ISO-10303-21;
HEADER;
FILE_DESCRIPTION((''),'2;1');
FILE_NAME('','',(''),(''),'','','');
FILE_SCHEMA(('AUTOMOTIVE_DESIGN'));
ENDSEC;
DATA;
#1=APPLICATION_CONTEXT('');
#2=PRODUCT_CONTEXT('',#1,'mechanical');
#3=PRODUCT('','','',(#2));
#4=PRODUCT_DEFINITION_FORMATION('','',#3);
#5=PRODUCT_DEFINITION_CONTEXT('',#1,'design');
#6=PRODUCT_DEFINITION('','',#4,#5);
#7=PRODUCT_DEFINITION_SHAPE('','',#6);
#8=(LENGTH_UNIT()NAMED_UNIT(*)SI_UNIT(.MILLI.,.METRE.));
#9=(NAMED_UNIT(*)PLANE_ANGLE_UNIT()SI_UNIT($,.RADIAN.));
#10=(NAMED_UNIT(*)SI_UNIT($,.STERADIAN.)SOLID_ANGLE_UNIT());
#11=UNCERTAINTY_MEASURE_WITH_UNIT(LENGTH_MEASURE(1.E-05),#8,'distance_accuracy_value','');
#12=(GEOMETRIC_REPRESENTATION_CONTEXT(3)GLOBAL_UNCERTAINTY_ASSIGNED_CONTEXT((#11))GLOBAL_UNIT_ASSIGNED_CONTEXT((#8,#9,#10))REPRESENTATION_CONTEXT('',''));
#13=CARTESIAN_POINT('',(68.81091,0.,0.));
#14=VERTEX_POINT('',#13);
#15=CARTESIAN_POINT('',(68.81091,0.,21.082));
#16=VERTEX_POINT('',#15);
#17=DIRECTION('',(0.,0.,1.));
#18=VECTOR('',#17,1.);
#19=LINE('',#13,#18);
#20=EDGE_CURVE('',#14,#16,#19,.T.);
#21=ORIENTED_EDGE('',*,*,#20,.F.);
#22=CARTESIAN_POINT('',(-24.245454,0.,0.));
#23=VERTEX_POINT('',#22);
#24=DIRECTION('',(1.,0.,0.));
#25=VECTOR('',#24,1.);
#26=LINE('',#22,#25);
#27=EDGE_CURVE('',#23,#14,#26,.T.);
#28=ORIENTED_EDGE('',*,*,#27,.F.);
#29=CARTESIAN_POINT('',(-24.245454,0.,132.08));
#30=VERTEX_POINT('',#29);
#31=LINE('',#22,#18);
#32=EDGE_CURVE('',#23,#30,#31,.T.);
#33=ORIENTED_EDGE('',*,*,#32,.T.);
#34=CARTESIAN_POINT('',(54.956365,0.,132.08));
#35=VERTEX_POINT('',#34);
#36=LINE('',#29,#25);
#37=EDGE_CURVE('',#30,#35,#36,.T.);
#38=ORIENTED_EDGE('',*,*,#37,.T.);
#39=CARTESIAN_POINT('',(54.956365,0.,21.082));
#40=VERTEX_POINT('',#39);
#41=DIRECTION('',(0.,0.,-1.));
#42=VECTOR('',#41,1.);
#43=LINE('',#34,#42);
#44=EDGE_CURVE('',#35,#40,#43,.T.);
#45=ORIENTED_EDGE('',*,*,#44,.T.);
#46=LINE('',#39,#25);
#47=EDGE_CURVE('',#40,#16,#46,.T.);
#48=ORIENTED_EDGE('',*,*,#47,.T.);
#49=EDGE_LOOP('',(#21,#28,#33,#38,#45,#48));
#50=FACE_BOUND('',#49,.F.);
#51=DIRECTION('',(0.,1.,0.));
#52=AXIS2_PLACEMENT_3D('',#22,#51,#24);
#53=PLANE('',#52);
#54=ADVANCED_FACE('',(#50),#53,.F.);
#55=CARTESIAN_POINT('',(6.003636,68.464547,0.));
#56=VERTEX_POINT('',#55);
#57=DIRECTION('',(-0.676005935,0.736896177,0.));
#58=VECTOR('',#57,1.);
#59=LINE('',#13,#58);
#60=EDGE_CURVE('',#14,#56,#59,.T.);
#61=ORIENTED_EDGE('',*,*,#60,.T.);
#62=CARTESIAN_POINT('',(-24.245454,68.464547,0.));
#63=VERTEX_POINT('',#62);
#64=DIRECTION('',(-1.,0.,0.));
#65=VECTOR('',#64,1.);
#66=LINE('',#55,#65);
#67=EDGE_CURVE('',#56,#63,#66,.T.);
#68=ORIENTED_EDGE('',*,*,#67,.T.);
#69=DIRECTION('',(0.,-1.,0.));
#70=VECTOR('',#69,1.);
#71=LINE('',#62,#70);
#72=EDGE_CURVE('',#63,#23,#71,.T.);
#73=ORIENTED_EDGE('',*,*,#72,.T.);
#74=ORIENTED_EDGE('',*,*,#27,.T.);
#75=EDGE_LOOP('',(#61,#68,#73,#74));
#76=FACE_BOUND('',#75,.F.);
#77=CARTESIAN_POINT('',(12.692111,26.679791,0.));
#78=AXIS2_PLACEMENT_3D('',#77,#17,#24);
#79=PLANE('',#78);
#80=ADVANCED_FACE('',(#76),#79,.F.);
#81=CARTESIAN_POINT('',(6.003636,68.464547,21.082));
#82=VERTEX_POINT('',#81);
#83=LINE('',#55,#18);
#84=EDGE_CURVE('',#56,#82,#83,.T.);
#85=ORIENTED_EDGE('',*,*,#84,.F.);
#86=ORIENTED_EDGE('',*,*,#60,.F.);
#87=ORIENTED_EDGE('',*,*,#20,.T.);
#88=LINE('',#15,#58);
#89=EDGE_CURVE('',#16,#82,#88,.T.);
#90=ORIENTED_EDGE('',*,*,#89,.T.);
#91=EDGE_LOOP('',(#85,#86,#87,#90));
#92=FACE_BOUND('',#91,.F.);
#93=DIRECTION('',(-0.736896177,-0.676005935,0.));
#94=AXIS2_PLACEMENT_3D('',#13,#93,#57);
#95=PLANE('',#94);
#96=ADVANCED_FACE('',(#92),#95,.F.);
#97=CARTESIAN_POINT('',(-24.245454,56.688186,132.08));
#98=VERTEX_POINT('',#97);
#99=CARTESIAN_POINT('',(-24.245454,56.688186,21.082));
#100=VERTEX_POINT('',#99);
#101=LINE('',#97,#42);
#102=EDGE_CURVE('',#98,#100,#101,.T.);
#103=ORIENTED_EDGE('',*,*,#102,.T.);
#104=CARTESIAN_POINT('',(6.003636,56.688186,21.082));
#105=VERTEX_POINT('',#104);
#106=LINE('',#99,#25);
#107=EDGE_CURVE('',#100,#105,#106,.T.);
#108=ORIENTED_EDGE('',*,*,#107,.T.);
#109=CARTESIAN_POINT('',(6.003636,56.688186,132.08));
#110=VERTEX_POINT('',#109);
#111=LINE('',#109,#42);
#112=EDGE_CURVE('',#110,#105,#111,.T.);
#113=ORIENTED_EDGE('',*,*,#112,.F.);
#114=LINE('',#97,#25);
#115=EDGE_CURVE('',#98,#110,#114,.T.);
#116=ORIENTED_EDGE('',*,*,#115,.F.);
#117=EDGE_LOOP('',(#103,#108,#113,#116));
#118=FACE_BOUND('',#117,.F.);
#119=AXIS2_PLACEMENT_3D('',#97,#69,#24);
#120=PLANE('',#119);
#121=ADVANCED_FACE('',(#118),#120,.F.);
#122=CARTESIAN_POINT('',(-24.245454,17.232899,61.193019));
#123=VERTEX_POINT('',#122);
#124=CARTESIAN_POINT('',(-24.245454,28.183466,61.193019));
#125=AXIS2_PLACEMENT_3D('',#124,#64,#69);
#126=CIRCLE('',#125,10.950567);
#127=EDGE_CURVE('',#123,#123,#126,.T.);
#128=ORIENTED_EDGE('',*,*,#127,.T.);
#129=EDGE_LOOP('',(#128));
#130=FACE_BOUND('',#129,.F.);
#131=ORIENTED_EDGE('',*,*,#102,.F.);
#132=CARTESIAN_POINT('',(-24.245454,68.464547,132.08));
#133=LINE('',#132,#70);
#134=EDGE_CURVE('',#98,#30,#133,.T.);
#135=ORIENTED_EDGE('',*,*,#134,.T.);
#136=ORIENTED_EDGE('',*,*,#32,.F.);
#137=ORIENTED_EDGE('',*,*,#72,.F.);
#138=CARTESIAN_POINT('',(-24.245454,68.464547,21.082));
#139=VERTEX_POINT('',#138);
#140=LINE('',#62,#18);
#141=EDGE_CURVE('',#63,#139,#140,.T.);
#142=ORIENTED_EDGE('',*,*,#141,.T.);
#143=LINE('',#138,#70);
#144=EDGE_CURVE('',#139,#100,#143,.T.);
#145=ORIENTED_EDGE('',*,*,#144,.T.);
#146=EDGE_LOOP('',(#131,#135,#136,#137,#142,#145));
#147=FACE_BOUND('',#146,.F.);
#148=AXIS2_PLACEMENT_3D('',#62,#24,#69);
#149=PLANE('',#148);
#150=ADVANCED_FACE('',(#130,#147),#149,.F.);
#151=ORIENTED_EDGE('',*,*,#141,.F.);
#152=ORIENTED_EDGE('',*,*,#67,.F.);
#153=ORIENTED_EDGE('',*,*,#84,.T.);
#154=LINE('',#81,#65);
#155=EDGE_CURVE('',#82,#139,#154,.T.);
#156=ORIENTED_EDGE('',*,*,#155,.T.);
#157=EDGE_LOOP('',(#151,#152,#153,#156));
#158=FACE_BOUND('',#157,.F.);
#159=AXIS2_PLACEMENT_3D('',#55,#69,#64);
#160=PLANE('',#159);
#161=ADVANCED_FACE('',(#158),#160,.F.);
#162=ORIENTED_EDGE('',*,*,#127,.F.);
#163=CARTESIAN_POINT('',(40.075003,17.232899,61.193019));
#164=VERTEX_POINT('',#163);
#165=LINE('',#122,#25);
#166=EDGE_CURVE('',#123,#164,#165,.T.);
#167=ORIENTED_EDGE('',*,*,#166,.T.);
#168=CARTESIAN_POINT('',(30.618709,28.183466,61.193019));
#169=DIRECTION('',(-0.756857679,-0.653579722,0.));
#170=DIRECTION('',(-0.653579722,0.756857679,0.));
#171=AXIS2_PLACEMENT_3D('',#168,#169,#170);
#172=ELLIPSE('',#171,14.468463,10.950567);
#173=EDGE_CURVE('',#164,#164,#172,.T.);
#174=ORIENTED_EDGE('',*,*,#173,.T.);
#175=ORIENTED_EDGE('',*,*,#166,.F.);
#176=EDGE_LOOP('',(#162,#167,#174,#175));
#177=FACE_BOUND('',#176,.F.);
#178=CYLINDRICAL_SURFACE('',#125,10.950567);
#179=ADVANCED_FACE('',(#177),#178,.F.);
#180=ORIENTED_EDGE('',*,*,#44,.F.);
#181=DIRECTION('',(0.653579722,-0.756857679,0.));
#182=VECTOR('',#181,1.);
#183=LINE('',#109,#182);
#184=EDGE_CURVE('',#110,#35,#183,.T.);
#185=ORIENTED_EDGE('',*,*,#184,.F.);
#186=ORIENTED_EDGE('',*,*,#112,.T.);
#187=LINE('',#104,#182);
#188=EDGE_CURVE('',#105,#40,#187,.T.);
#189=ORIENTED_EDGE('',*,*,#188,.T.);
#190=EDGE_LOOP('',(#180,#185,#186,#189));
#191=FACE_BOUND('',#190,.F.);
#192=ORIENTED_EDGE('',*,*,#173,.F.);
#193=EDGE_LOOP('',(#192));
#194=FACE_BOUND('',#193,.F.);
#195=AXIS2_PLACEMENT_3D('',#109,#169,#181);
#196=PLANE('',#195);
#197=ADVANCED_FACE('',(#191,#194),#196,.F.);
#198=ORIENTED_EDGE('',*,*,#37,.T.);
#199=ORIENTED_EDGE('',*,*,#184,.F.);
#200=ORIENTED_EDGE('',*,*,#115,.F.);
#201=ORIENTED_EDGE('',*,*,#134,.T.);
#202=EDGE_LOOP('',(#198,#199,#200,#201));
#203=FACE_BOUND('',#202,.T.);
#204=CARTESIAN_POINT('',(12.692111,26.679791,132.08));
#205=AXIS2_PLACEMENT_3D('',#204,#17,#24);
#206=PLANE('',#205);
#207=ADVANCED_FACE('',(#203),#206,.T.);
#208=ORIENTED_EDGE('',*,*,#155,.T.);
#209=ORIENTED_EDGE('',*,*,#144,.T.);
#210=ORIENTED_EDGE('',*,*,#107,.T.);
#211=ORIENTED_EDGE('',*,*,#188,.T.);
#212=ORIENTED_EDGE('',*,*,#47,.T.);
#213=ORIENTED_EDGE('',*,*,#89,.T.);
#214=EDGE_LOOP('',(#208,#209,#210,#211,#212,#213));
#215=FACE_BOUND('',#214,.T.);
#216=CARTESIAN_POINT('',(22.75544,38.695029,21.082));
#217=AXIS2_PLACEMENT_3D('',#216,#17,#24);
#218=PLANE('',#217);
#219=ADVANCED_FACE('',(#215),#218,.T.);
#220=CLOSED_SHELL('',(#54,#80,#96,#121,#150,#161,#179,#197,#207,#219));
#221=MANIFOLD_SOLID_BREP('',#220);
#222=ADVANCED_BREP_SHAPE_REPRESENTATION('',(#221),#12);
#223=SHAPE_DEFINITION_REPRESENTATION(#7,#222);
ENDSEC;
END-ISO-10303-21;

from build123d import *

# Parameters (mm, degrees)
F1_DEPTH = 132.08
F3_DEPTH = 110.998
F4_R     = 10.950567
F5_DEPTH = 77.47


with BuildPart() as f1:
    # F0 (on Top) → F1 (new body)
    with BuildSketch(Plane.XY):
        Polygon((-24.245454, 68.464547), (-24.245454, 0), (68.81091, 0), (6.003636, 68.464547), align=None)
    extrude(amount=F1_DEPTH)

    # F2 (on face) → F3 (cut)
    with BuildSketch(Plane.XY.offset(132.08)):
        Polygon((-24.245454, 68.464547), (-24.245454, 56.688186), (6.003636, 56.688186), (54.956365, 0), (68.81091, 0), (6.003636, 68.464547), align=None)
    extrude(amount=-F3_DEPTH, mode=Mode.SUBTRACT)

    # F4 (on face) → F5 (cut)
    with BuildSketch(Plane(origin=(-24.245454, 0, 0), x_dir=(0, -1, 0), z_dir=(-1, 0, 0))):
        with Locations((-28.183466, 61.193019)):
            Circle(F4_R)
    extrude(amount=-F5_DEPTH, mode=Mode.SUBTRACT)


solid = f1.part
